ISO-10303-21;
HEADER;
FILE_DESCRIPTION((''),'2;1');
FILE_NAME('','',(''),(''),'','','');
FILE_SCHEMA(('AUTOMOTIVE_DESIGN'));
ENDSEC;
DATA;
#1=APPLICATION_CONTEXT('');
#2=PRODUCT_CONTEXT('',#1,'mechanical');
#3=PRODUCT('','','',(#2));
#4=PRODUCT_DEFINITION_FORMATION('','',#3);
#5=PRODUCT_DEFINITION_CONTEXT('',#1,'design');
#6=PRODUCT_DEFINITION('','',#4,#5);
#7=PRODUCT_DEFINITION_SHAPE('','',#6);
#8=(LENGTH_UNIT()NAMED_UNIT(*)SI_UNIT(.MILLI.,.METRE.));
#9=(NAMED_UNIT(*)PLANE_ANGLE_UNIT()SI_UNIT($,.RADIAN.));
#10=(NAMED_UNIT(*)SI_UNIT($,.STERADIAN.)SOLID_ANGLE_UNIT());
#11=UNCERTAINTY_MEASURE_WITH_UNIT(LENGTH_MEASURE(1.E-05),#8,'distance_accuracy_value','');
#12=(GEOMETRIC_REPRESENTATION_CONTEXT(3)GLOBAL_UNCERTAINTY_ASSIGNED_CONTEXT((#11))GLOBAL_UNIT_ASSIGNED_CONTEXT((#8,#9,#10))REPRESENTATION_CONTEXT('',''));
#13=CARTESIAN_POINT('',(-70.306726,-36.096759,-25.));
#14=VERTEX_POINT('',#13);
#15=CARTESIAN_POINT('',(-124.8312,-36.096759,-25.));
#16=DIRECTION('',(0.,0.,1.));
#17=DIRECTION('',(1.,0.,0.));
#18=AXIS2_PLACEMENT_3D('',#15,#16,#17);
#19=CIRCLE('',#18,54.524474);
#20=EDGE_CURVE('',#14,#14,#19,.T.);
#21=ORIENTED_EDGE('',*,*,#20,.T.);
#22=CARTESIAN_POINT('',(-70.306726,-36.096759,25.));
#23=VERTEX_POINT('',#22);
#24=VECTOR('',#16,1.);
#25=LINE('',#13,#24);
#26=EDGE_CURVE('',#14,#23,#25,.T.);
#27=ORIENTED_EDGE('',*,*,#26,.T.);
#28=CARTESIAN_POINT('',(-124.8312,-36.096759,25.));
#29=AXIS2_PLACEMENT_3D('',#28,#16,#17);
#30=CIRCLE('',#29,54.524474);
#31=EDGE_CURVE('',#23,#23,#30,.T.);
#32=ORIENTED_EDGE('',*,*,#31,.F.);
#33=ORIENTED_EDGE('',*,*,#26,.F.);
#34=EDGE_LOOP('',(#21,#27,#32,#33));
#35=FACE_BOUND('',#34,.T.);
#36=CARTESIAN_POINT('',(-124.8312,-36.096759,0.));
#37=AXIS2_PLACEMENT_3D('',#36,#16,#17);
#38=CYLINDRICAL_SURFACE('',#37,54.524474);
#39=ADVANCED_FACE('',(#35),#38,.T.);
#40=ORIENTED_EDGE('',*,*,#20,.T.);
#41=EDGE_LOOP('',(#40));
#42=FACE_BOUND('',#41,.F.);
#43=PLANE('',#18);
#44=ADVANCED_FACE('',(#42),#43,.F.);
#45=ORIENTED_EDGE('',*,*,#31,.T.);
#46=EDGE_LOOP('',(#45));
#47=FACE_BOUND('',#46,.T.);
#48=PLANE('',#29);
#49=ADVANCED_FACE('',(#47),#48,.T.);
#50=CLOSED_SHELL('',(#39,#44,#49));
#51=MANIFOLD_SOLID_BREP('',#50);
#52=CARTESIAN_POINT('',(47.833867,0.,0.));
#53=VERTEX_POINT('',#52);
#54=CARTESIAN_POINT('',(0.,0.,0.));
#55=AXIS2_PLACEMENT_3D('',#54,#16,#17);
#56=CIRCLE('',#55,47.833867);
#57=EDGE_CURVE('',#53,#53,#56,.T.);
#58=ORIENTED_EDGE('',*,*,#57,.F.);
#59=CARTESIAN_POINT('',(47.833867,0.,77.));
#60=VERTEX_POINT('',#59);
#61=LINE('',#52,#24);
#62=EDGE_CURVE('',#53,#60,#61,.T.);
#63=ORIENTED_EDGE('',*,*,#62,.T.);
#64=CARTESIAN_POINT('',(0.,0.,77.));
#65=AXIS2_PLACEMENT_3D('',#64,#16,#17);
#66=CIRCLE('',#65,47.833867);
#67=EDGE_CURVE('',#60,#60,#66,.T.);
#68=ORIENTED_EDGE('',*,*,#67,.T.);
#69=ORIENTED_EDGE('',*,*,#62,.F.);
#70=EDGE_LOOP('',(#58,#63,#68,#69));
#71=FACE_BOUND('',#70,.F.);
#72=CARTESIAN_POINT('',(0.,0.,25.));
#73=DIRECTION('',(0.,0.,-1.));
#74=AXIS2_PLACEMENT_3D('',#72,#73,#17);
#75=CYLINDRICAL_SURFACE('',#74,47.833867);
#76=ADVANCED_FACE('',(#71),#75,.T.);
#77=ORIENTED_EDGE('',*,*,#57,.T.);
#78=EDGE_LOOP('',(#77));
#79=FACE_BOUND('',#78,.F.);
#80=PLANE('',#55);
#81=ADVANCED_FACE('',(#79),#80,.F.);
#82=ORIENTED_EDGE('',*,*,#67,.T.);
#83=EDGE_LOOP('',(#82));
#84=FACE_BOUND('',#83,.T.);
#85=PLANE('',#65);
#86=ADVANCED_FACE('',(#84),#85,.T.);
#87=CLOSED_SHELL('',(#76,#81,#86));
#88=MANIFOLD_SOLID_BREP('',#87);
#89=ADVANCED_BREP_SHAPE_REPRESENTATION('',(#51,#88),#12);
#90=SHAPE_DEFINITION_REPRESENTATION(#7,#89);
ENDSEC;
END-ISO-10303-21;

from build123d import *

# Parameters (mm, degrees)
F0_R     = 47.8338670268
F1_DEPTH = 25
F2_R     = 54.5244739927
F3_DEPTH = 25
F4_DEPTH = 25
F5_DEPTH = 25
F6_DEPTH = 52


with BuildPart() as f1:
    # F0 (on Top) → F1 (new body)
    with BuildSketch(Plane.XY):
        Circle(F0_R)
    extrude(amount=F1_DEPTH)

    # F6 (add): a face of the model
    f6_faces = [f1.faces().sort_by_distance(p)[0] for p in [
        (0, 0, 25),
    ]]
    extrude(f6_faces, amount=F6_DEPTH)


with BuildPart() as f3:
    # F2 (on Top) → F3 (new body)
    with BuildSketch(Plane.XY):
        with Locations((-124.831199646, -36.0967591405)):
            Circle(F2_R)
    extrude(amount=F3_DEPTH)

    # F4 (add): a face of the model
    f4_faces = [f3.faces().sort_by_distance(p)[0] for p in [
        (-124.831199646, -36.0967591405, 25),
    ]]
    extrude(f4_faces, amount=-F4_DEPTH)

    # F5 (add): faces of the model
    f5_faces = [f3.faces().sort_by_distance(p)[0] for p in [
        (-124.831199646, -36.0967591405, 0),
        (-124.831199646, -36.0967591405, 25),
    ]]
    extrude(f5_faces, amount=F5_DEPTH, dir=(0, 0, -1))


solid = Compound([f1.part, f3.part])
